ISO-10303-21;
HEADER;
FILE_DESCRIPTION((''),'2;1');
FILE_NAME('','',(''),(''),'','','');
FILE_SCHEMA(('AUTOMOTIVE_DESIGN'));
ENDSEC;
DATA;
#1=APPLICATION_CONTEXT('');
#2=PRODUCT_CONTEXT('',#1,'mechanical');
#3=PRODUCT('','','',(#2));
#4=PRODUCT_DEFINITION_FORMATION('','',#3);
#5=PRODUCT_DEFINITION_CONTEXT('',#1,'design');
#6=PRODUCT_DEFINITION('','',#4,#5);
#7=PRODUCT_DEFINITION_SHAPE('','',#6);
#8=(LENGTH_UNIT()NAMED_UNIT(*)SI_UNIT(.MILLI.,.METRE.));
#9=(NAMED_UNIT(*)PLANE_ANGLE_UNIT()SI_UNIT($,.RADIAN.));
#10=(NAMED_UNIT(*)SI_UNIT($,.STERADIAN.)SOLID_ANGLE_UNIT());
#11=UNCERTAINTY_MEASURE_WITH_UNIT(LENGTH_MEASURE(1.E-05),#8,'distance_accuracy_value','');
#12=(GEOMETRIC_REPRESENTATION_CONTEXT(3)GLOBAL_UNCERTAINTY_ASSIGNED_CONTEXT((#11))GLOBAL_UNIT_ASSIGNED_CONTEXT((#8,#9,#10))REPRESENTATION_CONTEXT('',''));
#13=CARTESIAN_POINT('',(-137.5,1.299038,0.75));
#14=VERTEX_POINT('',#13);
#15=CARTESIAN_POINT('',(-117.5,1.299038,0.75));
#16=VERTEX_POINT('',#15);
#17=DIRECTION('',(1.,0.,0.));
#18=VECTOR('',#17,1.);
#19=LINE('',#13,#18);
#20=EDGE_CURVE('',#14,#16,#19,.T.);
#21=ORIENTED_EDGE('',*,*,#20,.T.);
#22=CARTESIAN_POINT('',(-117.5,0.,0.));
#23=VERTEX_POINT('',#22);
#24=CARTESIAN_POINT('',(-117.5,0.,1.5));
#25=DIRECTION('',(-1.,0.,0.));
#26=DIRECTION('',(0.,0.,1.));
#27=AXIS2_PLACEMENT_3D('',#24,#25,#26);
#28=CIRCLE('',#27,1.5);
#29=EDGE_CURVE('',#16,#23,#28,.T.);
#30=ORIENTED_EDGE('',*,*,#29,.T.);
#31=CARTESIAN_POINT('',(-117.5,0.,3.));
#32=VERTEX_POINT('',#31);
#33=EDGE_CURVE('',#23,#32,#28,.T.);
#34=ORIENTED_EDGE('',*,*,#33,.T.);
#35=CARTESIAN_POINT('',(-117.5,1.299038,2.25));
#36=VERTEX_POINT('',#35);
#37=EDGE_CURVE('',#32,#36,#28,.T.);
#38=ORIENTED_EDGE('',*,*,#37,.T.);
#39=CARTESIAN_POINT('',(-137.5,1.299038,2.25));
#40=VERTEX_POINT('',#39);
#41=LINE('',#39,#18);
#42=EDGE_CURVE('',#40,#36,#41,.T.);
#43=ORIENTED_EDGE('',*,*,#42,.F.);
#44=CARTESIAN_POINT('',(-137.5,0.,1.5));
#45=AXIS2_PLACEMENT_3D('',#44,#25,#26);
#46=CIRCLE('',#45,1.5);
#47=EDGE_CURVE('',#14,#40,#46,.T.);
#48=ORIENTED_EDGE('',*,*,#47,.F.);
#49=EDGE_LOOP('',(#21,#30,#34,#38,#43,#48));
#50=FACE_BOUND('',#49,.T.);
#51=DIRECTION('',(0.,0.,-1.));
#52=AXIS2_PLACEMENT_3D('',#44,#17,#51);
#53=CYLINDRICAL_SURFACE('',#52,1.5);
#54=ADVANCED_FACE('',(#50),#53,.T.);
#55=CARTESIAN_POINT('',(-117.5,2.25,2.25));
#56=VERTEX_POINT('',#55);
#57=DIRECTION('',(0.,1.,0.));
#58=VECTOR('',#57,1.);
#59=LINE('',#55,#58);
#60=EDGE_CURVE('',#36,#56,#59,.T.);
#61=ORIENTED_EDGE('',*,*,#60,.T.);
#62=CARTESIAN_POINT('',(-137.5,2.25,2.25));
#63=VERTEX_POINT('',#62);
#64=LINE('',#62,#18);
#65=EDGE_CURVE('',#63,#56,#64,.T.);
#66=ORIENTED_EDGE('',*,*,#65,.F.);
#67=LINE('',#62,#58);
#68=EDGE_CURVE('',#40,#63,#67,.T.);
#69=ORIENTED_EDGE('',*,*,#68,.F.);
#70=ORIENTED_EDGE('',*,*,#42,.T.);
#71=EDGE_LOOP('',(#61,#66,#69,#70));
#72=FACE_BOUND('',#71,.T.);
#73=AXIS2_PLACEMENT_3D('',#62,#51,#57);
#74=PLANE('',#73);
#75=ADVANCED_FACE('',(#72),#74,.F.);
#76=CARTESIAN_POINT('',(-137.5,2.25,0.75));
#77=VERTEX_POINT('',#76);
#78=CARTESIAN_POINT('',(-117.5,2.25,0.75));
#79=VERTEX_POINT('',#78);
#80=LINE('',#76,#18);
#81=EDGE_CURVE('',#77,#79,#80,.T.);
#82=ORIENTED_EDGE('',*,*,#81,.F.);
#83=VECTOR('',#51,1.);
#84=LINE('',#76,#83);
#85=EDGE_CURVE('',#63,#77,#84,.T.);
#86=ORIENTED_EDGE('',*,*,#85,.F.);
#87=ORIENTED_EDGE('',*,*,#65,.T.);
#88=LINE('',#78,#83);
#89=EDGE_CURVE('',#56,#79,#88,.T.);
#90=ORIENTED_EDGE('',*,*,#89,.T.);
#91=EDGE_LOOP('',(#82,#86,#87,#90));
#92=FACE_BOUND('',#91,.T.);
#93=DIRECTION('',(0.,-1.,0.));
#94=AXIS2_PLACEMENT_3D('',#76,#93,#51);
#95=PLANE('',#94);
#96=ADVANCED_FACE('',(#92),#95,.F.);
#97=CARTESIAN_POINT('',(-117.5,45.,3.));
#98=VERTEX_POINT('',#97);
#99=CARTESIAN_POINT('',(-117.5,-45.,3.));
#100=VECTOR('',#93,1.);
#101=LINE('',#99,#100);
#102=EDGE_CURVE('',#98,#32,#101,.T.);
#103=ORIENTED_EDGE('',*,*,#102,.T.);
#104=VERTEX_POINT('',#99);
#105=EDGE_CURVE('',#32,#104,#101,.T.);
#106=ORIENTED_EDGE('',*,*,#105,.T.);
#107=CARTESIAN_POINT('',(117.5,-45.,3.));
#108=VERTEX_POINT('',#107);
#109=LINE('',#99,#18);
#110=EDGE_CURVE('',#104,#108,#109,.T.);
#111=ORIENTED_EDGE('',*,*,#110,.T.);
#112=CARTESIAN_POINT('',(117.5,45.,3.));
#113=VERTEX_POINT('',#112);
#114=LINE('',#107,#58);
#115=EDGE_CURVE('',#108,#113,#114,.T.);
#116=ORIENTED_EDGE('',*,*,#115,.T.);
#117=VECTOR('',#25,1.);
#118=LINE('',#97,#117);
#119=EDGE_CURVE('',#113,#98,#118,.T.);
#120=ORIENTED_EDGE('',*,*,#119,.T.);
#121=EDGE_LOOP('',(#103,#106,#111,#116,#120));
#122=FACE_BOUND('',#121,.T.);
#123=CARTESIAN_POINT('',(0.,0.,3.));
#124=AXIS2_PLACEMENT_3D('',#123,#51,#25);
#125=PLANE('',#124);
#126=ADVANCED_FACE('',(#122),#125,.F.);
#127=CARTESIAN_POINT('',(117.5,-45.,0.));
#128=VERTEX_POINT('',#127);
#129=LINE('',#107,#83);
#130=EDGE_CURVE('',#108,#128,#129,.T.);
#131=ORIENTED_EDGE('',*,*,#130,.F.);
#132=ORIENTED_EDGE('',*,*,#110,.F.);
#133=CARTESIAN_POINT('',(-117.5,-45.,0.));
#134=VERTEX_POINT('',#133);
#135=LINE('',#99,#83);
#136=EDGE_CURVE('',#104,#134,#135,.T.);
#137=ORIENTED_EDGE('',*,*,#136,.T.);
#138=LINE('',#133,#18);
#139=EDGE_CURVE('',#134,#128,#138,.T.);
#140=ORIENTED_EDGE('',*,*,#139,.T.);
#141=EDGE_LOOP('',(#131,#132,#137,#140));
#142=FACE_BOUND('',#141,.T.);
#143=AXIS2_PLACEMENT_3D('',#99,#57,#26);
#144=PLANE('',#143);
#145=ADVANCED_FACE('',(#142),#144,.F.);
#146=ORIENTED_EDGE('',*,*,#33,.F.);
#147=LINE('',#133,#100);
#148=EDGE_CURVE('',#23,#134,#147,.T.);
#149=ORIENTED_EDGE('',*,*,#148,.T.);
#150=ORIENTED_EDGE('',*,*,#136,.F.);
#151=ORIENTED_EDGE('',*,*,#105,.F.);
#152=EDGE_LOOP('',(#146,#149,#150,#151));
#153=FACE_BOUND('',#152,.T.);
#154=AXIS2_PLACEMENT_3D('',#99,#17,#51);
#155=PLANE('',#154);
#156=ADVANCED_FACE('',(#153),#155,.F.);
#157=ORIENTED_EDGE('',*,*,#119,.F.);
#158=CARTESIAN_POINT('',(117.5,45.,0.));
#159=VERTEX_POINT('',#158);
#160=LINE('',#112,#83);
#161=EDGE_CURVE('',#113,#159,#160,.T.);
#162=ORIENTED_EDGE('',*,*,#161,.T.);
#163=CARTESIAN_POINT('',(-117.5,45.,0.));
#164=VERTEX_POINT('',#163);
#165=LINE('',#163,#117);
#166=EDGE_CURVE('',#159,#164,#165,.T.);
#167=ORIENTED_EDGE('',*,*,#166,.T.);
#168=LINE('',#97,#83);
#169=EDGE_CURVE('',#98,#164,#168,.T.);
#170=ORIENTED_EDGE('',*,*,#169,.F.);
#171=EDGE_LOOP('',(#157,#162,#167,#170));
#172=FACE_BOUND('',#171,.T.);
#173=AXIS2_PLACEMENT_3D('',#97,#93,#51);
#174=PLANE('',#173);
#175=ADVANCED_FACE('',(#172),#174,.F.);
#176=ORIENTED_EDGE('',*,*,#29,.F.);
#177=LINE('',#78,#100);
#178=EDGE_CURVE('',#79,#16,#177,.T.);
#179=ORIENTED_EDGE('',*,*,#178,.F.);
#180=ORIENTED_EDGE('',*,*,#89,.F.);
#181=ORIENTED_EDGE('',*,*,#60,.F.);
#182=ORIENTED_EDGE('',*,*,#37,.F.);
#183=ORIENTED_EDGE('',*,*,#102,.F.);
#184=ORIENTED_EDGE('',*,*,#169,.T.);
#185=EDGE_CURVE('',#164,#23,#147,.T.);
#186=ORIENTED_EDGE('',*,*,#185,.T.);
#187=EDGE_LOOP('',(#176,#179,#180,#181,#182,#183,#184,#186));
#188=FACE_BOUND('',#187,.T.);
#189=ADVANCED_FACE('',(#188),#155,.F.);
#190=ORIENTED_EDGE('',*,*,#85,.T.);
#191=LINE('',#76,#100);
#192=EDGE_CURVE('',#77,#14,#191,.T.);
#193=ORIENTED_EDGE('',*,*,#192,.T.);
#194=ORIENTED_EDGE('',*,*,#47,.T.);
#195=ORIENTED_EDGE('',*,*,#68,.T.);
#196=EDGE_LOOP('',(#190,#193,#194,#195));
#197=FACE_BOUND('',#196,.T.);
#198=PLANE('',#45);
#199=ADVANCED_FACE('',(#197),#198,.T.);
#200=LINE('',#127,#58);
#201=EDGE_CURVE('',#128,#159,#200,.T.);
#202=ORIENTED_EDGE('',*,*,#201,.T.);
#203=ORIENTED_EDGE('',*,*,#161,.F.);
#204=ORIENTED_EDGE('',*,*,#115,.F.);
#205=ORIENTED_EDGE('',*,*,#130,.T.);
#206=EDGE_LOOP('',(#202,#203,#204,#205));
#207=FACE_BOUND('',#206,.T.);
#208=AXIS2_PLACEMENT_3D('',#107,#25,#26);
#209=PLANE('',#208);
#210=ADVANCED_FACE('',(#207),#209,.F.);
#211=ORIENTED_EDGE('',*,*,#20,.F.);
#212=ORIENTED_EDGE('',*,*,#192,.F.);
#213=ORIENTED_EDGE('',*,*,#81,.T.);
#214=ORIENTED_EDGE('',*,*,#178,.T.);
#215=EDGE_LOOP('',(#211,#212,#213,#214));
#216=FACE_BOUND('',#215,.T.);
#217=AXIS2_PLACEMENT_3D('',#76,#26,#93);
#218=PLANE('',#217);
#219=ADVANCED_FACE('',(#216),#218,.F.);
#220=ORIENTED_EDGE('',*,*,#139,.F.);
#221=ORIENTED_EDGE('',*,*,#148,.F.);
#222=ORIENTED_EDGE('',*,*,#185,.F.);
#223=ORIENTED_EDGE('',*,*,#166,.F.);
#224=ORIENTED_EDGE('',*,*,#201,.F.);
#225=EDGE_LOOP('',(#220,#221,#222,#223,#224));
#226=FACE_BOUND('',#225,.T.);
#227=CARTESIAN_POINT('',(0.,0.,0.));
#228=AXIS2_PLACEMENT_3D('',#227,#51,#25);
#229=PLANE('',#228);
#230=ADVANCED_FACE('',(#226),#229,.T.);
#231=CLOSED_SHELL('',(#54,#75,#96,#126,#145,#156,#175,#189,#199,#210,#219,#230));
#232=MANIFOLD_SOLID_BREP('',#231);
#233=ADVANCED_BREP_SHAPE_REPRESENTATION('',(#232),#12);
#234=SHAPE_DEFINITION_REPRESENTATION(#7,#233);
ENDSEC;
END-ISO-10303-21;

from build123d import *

# Parameters (mm, degrees)
SKETCH_1_W      = 235
SKETCH_1_H      = 90
EXTRUDE_1_DEPTH = 3
EXTRUDE_2_DEPTH = 20


with BuildPart() as part:
    # 草图1 → 凸台-拉伸1 (new body)
    with BuildSketch(Plane.XY):
        Rectangle(SKETCH_1_W, SKETCH_1_H)
    extrude(amount=EXTRUDE_1_DEPTH)

    # 草图2 → 凸台-拉伸2 (add)
    with BuildSketch(Plane.ZY.offset(117.5)):
        with BuildLine():
            Line((0.75, 2.25), (2.25, 2.25))
            Line((2.25, 2.25), (2.25, 1.299038106))
            ThreePointArc((2.25, 1.299038106), (1.5, -1.5), (0.75, 1.299038106))
            Line((0.75, 1.299038106), (0.75, 2.25))
        make_face()
    extrude(amount=EXTRUDE_2_DEPTH)


solid = part.part
